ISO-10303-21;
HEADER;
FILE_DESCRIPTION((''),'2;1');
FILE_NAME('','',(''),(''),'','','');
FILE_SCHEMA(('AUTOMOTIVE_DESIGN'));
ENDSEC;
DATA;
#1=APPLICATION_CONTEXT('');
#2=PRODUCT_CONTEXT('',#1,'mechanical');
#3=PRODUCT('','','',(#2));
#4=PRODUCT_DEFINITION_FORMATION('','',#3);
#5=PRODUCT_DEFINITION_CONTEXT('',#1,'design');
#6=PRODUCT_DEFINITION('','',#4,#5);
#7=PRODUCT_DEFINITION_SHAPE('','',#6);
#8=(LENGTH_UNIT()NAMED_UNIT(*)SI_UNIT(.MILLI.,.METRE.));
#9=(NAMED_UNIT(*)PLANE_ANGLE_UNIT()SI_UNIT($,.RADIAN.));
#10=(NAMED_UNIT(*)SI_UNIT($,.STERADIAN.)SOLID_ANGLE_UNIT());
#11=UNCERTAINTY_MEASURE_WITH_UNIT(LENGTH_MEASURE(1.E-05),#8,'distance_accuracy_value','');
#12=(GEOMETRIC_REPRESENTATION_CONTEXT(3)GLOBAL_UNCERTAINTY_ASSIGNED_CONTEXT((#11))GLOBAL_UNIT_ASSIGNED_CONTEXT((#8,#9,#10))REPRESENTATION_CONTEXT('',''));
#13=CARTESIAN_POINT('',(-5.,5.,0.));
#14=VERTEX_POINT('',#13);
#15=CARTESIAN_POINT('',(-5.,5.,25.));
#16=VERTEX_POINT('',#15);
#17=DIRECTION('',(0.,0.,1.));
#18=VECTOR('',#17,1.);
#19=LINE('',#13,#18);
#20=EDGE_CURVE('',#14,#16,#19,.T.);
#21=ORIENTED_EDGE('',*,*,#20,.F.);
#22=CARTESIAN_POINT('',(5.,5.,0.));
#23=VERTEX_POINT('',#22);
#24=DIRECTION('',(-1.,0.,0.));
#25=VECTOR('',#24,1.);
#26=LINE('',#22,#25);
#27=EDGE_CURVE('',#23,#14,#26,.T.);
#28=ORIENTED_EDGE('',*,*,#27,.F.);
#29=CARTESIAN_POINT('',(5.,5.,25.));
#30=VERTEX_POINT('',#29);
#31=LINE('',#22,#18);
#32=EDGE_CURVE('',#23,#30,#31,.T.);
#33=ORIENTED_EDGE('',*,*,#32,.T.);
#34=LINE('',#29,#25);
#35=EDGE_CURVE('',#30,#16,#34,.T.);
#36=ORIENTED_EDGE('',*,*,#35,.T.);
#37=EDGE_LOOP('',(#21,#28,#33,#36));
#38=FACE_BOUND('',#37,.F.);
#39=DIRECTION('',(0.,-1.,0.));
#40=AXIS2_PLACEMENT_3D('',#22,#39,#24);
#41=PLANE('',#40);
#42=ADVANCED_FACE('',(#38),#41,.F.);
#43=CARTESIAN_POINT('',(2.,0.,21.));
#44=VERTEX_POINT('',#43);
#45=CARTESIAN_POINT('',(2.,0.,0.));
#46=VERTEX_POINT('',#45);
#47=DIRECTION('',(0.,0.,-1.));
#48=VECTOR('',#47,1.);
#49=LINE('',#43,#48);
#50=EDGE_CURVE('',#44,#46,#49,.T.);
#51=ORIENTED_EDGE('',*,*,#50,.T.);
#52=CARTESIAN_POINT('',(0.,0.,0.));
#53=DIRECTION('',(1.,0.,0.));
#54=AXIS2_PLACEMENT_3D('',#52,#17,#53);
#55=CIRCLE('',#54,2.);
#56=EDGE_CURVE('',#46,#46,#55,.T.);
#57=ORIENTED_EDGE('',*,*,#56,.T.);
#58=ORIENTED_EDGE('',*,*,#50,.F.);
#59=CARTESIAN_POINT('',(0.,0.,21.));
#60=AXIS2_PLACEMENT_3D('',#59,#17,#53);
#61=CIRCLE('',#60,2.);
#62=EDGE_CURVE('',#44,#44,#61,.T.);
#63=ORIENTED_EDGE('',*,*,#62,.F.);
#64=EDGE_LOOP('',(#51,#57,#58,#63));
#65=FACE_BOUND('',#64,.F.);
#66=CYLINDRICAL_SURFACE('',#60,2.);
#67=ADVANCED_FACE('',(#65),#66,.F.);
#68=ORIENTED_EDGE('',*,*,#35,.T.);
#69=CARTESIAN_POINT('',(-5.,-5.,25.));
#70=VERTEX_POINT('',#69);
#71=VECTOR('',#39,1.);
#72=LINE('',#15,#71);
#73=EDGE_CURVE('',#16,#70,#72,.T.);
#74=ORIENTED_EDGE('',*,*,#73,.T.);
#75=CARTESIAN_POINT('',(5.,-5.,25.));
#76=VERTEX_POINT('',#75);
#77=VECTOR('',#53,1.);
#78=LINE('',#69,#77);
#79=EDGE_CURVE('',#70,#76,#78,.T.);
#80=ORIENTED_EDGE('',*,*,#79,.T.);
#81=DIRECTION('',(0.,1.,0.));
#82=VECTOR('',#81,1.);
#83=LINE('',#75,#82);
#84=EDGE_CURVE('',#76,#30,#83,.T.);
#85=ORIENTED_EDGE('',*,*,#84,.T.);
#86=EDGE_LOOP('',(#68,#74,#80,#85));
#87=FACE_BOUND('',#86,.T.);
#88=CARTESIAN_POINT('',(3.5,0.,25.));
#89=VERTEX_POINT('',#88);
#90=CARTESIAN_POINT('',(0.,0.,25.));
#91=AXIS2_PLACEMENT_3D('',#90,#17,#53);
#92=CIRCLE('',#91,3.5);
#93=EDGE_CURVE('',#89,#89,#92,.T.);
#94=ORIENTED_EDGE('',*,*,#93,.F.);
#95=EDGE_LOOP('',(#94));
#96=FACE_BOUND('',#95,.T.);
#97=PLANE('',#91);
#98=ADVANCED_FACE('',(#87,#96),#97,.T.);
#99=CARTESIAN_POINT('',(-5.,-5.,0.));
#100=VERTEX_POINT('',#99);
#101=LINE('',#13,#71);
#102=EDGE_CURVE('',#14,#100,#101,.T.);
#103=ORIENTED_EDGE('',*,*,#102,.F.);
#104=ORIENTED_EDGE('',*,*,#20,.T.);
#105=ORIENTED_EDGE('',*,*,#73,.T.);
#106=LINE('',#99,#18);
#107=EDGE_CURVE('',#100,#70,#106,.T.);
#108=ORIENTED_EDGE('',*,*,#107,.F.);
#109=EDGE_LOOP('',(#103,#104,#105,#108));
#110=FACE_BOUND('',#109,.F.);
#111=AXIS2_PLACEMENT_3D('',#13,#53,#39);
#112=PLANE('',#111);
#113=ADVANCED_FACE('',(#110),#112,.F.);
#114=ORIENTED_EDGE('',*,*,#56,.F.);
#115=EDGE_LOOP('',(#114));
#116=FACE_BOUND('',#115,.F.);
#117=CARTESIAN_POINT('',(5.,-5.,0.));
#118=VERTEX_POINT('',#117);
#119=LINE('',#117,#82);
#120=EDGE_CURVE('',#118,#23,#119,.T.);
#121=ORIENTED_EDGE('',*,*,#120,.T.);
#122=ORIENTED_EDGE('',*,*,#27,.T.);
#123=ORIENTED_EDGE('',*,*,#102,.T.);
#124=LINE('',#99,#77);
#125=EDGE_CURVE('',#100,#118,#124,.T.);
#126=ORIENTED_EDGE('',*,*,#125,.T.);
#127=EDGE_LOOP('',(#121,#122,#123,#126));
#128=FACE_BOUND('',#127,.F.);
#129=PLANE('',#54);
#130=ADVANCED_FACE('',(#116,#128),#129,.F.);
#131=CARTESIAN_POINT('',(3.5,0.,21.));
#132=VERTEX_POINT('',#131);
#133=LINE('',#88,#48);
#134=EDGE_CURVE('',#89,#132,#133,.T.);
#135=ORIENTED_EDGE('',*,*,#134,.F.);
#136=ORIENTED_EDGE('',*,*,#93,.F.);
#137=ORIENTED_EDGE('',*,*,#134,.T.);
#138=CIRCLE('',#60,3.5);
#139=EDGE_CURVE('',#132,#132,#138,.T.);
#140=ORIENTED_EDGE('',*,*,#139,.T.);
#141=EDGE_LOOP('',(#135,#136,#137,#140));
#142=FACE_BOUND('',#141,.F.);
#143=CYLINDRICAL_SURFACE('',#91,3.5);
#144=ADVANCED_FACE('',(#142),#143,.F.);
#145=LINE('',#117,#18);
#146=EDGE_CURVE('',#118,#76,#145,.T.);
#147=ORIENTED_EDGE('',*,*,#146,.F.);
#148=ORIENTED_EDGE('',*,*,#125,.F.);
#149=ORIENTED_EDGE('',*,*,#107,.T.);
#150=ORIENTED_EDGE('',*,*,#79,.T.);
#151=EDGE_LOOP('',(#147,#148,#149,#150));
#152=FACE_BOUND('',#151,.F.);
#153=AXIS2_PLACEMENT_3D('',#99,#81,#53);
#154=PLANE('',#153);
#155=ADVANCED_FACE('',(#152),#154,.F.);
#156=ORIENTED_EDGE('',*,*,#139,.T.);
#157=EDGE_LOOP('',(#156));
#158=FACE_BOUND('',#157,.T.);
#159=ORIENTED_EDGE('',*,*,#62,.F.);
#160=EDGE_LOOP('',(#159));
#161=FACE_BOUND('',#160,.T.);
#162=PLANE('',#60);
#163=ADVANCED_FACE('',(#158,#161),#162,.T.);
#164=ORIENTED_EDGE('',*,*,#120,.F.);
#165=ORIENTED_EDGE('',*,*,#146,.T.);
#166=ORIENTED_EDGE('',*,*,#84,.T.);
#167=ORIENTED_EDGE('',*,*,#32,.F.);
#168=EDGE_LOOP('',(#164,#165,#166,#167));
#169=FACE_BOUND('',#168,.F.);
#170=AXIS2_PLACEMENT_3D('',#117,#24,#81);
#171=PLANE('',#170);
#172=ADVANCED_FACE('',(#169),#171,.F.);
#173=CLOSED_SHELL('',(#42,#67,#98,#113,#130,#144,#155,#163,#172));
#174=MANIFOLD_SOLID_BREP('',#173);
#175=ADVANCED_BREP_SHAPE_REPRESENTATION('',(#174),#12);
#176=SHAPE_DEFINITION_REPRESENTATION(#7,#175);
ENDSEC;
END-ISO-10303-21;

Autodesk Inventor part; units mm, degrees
ref_plane "YZ Plane" through (0, 0, 0) normal (1, 0, 0) x (0, 1, 0)
ref_plane "XZ Plane" through (0, 0, 0) normal (0, 1, 0) x (-1, 0, 0)
ref_plane "XY Plane" through (0, 0, 0) normal (0, 0, 1) x (1, 0, 0)
sketch "Sketch1" plane through (0, 0, 0) normal (0, 0, 1) x (1, 0, 0)
  line L0 (-5, -5) -> (5, -5)
  line L1 (5, -5) -> (5, 5)
  line L2 (5, 5) -> (-5, 5)
  line L3 (-5, 5) -> (-5, -5)
  line L4 (-5, -5) -> (5, 5) construction
  line L5 (5, -5) -> (-5, 5) construction
  point P0 (0, 0)
  dimension "length" = 10
  dimension "d1" = 10
extrude "Extrusion1" add sketch "Sketch1" along normal blind 25
sketch "Sketch2" plane through (0, 0, 25) normal (0, 0, 1) x (1, 0, 0)
  circle A0 centre (0, 0) radius 3.5
  dimension "diameter" = 7
extrude "Extrusion2" cut sketch "Sketch2" against normal blind 4
sketch "Sketch3" plane through (0, 0, 21) normal (0, 0, 1) x (1, 0, 0)
  circle A0 centre (0, 0) radius 2
  dimension "d9" = 4
extrude "Extrusion3" cut sketch "Sketch3" against normal blind 21
thread "Thread3" size "M4x0.7" class "6H" standard "ANSI Metric M Profile" length 10
equation "\"d1\" = length"
equation "\"d14\" = length"
properties part number "m4x0.7 25mm long"
